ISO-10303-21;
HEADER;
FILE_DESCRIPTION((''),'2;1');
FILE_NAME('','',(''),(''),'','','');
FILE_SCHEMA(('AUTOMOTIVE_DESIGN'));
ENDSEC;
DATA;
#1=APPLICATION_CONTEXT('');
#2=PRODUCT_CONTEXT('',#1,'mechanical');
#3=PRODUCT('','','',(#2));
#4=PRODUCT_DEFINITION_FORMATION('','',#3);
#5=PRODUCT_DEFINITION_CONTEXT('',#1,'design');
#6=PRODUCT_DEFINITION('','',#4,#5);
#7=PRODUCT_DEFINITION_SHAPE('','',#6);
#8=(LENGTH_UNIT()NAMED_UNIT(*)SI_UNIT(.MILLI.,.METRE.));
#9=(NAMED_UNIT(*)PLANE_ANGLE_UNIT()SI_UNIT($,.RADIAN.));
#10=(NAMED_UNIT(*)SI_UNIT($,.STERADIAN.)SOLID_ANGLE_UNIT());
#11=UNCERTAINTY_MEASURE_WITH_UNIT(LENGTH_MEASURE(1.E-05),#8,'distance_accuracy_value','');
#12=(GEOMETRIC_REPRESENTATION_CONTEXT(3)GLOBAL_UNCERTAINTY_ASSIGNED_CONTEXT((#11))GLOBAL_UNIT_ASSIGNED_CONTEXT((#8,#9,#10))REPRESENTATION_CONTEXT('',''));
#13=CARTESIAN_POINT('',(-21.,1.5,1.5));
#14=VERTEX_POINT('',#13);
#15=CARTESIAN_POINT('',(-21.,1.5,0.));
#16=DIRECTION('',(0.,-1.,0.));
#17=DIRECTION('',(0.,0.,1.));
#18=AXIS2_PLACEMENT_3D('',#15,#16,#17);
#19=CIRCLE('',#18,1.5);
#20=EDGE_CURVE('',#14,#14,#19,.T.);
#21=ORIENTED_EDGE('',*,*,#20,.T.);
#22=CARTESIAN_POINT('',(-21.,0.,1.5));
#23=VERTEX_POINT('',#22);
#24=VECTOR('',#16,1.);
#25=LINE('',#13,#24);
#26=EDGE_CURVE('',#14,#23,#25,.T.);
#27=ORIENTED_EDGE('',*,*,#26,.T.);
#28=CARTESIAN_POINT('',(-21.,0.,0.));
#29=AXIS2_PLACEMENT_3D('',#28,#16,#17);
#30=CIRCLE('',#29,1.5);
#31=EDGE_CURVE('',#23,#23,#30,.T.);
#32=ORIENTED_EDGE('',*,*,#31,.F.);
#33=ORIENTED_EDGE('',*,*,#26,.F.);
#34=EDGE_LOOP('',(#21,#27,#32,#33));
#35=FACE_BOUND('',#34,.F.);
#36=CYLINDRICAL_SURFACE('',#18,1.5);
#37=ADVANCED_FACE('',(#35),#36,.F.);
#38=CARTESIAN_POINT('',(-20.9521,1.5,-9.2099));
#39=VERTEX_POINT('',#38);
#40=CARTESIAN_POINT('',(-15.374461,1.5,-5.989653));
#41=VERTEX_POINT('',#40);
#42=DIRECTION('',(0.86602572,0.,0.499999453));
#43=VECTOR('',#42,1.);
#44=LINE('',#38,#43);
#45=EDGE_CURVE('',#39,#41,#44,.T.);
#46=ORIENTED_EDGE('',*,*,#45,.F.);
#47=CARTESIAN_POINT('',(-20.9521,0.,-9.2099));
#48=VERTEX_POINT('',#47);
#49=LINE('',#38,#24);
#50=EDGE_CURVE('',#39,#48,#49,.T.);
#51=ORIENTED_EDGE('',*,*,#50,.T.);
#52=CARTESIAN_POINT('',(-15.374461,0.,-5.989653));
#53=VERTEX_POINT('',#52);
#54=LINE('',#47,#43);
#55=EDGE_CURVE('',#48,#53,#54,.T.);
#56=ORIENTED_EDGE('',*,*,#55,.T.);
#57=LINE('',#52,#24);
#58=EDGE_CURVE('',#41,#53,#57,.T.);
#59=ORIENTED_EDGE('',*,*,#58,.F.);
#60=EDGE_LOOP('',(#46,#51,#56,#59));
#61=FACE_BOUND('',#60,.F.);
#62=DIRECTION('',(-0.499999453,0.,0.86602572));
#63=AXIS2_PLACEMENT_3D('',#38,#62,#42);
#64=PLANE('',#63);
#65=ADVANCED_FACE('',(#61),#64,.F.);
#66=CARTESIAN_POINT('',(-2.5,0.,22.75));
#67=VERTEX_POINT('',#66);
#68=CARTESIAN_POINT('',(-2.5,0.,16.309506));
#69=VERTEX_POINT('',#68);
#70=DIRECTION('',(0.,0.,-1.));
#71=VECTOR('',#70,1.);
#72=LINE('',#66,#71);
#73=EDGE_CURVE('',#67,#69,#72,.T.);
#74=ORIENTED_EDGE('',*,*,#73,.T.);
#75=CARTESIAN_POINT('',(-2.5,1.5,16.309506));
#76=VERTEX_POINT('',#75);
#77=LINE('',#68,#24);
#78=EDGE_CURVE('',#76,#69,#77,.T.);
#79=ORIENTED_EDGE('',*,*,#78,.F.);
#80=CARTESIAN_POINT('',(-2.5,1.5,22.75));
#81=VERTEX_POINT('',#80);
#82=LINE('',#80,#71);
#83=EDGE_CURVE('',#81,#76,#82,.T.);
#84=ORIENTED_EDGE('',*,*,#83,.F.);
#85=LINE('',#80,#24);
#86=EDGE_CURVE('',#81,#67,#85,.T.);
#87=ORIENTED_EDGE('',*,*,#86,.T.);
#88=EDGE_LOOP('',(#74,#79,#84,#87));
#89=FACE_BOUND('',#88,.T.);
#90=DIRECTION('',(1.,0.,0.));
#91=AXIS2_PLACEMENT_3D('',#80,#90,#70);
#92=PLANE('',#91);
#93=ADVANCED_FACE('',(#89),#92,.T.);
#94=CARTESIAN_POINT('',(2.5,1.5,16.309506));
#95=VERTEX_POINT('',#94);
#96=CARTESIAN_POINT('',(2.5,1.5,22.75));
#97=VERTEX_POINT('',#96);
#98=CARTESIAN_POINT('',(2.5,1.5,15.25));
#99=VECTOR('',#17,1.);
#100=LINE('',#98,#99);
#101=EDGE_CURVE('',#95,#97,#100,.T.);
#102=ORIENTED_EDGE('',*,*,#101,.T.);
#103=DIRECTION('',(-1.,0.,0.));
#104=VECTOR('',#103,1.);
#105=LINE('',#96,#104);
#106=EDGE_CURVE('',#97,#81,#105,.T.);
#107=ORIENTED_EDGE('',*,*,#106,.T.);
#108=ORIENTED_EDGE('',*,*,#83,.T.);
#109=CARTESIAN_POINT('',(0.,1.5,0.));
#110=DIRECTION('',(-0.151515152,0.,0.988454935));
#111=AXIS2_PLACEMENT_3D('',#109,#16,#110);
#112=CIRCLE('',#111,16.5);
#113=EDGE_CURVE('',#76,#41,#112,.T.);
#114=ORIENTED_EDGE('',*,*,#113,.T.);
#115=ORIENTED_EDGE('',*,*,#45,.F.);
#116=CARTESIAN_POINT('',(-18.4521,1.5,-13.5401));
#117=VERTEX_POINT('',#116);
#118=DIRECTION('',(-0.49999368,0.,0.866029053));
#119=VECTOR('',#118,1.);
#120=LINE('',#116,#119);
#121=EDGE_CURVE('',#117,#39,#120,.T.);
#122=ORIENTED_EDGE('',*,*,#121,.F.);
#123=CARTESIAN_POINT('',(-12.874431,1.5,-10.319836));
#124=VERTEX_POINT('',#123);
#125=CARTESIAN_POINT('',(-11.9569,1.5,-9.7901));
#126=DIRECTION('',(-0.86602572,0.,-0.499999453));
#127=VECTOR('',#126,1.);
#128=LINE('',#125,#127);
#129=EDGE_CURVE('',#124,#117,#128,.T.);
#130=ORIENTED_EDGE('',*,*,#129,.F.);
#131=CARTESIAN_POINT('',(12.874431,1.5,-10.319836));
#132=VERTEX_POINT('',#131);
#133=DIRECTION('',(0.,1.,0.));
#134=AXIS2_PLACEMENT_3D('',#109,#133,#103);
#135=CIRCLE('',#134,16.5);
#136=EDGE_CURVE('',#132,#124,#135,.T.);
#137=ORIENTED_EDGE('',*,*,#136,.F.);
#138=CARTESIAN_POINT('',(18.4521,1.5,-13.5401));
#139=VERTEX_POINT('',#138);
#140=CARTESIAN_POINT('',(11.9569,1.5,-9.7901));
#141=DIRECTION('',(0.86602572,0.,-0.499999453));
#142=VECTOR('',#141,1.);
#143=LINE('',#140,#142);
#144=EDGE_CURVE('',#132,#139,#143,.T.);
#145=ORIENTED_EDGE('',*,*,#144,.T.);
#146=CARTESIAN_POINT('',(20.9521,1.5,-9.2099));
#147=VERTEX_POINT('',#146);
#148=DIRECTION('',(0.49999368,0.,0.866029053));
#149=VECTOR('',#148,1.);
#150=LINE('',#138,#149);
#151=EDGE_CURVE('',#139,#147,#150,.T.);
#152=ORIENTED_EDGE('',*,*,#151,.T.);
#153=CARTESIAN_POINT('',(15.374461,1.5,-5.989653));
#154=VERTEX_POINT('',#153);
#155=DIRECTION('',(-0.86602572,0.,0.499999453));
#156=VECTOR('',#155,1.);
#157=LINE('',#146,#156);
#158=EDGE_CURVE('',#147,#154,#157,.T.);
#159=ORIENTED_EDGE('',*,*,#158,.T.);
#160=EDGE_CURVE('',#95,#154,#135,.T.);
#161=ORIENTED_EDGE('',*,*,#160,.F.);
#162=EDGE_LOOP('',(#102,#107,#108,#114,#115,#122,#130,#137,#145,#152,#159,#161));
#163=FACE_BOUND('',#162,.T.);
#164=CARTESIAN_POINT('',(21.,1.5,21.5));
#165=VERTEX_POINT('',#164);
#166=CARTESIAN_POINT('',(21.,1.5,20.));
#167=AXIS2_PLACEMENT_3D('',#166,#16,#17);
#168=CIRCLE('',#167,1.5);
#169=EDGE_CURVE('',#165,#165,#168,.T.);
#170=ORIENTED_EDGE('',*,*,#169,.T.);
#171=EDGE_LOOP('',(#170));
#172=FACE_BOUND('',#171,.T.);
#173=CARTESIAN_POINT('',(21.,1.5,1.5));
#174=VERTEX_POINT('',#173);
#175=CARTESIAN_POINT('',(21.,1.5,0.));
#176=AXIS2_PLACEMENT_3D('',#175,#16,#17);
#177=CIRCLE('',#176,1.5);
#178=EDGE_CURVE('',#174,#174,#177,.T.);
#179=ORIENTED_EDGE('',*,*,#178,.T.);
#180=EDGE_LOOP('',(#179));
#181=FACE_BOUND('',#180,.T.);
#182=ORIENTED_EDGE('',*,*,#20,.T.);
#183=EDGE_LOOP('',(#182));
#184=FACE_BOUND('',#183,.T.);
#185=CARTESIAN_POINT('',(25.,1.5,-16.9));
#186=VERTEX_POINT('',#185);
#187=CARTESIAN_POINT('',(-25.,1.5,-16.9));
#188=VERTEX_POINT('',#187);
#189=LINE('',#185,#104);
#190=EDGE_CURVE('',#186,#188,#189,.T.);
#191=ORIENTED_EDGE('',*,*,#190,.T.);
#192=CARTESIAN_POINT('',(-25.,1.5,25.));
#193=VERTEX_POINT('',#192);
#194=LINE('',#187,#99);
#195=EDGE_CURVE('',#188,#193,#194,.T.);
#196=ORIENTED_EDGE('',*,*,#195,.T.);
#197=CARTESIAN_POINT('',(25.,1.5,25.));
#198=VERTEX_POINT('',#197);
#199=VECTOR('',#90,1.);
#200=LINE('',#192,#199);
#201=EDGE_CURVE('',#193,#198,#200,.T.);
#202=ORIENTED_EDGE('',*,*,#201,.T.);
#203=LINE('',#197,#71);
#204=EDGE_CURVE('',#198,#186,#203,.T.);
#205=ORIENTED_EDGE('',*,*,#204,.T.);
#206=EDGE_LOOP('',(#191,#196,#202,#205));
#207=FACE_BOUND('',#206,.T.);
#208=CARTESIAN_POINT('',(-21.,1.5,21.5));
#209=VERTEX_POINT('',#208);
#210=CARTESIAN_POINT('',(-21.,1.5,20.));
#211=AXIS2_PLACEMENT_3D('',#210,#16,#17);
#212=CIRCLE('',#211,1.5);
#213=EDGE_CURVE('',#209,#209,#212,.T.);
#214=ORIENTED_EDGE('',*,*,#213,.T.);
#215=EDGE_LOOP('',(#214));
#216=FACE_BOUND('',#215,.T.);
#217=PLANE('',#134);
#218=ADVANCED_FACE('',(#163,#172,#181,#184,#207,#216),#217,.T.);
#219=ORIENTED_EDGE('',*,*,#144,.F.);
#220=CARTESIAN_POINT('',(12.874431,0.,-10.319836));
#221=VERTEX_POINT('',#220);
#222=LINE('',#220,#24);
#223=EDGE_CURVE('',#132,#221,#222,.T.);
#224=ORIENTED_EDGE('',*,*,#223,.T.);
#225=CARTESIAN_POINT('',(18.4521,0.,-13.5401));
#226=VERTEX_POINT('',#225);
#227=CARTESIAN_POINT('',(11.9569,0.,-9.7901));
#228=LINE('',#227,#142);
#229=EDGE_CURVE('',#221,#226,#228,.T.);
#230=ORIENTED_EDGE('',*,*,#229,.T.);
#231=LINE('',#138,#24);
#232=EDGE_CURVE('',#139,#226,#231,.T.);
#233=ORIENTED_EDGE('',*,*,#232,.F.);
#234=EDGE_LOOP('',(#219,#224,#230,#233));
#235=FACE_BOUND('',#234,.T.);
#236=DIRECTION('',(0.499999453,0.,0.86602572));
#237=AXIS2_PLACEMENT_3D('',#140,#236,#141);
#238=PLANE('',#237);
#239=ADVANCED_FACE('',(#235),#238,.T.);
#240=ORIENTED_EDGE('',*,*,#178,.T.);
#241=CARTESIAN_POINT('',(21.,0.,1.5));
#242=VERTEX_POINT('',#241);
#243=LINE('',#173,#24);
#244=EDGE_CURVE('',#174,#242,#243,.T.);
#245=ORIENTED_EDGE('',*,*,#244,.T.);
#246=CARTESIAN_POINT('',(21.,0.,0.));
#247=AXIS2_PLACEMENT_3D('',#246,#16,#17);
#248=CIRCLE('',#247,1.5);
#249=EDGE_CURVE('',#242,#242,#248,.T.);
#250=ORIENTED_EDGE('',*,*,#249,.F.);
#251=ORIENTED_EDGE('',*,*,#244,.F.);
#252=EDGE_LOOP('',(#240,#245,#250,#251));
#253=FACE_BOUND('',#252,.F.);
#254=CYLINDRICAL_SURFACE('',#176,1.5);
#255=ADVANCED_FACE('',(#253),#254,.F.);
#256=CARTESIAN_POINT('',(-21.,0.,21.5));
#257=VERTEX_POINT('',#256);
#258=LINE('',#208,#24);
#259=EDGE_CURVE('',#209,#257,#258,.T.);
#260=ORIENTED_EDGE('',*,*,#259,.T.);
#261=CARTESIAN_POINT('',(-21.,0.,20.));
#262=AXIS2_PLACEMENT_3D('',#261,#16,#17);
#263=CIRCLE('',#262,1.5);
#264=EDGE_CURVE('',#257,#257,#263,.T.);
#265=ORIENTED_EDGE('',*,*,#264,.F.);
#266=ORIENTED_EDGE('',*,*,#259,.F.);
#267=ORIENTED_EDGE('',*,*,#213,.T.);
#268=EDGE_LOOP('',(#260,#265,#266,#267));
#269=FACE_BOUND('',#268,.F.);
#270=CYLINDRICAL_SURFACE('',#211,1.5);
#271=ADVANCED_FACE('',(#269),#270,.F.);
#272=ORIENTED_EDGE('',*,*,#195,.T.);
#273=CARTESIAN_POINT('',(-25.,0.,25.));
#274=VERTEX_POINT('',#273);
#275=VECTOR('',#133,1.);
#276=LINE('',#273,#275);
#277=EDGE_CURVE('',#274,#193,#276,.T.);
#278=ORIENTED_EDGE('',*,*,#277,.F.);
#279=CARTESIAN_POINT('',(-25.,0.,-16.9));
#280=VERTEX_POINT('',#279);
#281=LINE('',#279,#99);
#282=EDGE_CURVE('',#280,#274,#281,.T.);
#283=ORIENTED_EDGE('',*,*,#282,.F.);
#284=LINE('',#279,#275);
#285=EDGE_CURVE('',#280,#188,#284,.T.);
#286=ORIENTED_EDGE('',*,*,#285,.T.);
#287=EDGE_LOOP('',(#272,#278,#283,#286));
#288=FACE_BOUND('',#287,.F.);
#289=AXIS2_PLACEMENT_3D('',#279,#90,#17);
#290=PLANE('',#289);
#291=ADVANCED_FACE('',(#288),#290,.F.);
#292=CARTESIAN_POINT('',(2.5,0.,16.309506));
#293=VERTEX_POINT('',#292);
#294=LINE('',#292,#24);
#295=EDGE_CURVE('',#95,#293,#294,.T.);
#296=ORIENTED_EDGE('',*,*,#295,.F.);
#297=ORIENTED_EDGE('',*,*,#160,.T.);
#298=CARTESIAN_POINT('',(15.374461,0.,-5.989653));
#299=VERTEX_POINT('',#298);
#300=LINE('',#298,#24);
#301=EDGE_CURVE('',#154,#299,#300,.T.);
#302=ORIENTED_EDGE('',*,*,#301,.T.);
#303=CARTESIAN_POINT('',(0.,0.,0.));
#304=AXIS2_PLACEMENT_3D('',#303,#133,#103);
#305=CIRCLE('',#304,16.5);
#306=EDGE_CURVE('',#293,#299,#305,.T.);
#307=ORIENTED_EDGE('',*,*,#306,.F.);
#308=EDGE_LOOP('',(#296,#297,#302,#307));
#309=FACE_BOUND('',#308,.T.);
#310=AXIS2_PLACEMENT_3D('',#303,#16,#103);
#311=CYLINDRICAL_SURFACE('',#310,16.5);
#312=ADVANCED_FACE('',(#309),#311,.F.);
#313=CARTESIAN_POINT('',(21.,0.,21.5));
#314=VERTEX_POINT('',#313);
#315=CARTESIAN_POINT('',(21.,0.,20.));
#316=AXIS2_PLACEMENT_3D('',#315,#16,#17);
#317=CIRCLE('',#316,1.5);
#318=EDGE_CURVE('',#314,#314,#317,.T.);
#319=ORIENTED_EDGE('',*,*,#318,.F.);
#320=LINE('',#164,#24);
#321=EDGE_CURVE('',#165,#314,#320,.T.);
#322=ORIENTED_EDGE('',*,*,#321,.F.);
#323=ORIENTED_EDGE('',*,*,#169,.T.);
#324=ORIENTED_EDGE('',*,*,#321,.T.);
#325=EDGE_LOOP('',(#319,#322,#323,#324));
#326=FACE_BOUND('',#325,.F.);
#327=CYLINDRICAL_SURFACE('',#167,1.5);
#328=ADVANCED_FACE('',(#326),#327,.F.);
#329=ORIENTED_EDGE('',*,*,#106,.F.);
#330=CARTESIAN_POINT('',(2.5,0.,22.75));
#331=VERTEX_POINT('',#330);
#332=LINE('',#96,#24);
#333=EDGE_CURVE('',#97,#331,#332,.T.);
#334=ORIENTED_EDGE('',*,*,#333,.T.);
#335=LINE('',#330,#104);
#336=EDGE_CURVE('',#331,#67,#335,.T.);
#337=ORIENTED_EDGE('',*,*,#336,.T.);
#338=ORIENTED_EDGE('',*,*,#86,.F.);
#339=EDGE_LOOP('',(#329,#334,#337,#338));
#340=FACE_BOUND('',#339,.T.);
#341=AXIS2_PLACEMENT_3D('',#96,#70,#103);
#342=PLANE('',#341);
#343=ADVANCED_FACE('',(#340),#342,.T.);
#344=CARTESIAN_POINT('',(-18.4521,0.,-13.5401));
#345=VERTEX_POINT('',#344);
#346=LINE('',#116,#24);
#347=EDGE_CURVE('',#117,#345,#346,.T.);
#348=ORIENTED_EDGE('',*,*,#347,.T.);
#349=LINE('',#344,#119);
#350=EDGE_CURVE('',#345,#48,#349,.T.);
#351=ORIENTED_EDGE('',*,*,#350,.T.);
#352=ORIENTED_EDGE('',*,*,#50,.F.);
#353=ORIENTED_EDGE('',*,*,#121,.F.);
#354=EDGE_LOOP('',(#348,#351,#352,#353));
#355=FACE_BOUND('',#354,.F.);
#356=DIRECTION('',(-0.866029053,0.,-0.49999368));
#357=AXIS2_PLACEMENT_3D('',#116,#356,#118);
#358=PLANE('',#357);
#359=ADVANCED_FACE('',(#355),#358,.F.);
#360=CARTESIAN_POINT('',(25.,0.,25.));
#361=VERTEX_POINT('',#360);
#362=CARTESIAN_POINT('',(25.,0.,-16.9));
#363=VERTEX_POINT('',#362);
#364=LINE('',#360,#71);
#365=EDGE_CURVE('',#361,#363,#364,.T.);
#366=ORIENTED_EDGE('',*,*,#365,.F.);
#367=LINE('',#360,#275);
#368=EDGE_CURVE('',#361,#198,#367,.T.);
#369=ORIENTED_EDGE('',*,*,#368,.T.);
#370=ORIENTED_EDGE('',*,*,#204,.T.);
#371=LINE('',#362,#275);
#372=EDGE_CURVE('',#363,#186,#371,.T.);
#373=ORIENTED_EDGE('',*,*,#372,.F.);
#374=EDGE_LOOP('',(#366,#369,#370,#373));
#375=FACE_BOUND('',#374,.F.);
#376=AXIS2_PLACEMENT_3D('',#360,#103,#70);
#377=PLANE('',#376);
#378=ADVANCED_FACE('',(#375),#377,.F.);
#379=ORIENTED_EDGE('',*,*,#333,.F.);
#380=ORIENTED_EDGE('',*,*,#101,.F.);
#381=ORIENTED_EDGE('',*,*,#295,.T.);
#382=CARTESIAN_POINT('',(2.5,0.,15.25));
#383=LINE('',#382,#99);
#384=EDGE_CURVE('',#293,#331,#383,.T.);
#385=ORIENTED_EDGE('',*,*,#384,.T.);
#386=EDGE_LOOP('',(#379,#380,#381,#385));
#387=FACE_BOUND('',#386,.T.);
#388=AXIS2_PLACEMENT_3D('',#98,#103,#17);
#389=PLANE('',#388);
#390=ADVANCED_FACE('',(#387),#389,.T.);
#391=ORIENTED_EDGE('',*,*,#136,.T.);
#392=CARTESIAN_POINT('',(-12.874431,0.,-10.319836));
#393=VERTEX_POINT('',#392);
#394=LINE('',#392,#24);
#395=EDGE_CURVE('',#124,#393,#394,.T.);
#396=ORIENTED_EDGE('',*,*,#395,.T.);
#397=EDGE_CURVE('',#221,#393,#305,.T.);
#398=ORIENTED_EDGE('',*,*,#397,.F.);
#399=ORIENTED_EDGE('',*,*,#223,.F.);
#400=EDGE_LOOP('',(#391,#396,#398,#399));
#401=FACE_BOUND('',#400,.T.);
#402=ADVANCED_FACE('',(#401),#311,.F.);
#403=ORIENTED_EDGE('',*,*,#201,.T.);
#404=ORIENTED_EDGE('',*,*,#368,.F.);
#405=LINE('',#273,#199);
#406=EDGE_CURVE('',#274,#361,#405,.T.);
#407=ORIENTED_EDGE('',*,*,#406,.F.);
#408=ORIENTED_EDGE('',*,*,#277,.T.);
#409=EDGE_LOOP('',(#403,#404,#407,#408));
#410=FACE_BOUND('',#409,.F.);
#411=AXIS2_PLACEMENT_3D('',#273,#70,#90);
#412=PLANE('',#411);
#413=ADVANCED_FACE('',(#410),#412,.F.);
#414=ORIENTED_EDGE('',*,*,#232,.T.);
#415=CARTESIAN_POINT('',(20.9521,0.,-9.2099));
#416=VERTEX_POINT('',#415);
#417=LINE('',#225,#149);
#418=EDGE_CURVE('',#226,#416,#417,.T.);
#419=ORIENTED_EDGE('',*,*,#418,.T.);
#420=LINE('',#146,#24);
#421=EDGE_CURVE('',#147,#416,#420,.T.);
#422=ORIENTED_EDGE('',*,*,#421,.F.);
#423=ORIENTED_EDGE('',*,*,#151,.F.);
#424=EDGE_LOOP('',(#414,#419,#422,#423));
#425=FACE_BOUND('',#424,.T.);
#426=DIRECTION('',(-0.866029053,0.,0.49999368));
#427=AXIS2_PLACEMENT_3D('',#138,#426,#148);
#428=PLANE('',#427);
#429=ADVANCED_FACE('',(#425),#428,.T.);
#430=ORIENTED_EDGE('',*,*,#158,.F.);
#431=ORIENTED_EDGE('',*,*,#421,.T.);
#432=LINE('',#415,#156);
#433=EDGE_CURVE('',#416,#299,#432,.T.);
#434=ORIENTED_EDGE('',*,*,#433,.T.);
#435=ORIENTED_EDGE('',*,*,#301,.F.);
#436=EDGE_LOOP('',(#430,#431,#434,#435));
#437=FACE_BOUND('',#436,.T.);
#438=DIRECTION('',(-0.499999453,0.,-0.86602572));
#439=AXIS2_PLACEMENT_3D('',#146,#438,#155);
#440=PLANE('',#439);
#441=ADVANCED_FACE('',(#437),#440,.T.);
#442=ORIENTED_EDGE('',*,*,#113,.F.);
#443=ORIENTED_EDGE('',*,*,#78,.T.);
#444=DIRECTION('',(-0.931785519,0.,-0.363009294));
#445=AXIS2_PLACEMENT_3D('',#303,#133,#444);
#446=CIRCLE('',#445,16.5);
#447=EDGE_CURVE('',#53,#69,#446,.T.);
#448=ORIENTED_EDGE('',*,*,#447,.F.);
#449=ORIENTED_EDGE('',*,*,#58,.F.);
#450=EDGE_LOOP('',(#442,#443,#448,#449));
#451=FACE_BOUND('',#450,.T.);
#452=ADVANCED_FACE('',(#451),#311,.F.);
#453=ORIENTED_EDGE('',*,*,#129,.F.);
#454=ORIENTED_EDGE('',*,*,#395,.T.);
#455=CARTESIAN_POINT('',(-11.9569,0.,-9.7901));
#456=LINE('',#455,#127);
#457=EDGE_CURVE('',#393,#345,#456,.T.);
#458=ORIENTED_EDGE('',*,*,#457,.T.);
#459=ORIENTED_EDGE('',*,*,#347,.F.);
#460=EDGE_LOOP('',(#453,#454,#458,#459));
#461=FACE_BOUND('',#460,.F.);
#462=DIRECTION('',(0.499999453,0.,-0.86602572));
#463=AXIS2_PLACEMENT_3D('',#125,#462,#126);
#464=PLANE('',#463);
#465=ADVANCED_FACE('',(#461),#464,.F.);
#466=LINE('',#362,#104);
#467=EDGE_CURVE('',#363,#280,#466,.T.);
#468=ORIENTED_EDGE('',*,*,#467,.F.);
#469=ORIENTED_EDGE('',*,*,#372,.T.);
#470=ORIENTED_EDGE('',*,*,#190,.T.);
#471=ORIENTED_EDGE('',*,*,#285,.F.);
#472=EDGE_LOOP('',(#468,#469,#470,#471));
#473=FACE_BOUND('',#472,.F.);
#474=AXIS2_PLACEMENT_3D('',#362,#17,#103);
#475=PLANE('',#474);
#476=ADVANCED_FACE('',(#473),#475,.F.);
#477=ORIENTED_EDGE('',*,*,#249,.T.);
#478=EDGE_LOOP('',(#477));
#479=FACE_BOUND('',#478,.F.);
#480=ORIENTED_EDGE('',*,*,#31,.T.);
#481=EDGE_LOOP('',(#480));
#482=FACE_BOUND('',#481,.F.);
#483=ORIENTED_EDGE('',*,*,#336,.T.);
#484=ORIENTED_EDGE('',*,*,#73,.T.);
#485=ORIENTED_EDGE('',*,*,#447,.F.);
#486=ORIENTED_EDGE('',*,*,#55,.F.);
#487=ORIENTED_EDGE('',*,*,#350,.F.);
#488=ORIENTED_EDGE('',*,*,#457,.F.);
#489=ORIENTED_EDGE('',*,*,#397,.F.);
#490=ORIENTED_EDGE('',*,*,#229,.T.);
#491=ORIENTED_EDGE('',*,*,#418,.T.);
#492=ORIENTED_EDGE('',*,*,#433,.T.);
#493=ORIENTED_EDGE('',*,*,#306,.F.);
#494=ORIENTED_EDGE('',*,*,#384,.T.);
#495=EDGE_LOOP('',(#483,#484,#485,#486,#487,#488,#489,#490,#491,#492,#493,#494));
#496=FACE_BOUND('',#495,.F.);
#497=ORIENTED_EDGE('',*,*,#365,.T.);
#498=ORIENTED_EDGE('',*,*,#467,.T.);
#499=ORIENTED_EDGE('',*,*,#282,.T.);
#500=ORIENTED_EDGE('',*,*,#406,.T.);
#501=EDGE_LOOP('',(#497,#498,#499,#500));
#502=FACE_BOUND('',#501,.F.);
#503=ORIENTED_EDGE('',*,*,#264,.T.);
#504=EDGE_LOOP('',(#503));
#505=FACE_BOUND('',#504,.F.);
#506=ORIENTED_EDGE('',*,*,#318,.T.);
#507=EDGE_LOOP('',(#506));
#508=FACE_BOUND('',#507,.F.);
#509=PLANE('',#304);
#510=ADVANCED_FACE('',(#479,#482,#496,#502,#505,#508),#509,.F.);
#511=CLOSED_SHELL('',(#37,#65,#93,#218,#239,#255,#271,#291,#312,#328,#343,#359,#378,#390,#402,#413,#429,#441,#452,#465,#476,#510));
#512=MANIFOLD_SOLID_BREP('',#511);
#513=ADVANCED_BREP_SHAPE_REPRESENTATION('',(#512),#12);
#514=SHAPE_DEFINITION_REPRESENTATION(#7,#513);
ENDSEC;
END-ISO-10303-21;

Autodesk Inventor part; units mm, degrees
ref_plane "YZ Plane" through (0, 0, 0) normal (1, 0, 0) x (0, 1, 0)
ref_plane "XZ Plane" through (0, 0, 0) normal (0, 1, 0) x (-1, 0, 0)
ref_plane "XY Plane" through (0, 0, 0) normal (0, 0, 1) x (1, 0, 0)
sketch "スケッチ1" plane through (0, 0, 0) normal (0, 1, 0) x (-1, 0, 0)
  line L0 (25, 25) -> (-25, 25)
  line L1 (-25, 25) -> (-25, -16.9)
  line L2 (-25, -16.9) -> (25, -16.9)
  line L3 (25, -16.9) -> (25, 25)
  circle A0 centre (0, 0) radius 16.5
  point P0 (0, 25)
  dimension "d0" = 50
  dimension "d1" = 16.9
  dimension "d2" = 25
  dimension "d3" = 33
extrude "押し出し1" add sketch "スケッチ1" along normal blind 1.5
sketch "スケッチ2" plane through (0, 1.5, 0) normal (0, 1, 0) x (1, 0, 0)
  line L0 (-11.9569, 9.7901) -> (-18.4521, 13.5401)
  line L1 (-18.4521, 13.5401) -> (-20.9521, 9.2099)
  line L2 (-20.9521, 9.2099) -> (-14.4569, 5.4599)
  line L3 (-14.4569, 5.4599) -> (-11.9569, 9.7901)
  line L4 (-11.9569, 9.7901) -> (-20.9521, 9.2099) construction
  line L5 (-18.4521, 13.5401) -> (-14.4569, 5.4599) construction
  line L6 (20.9521, 9.2099) -> (14.4569, 5.4599)
  line L7 (14.4569, 5.4599) -> (11.9569, 9.7901)
  line L8 (11.9569, 9.7901) -> (18.4521, 13.5401)
  line L9 (18.4521, 13.5401) -> (20.9521, 9.2099)
  line L10 (20.9521, 9.2099) -> (11.9569, 9.7901) construction
  line L11 (14.4569, 5.4599) -> (18.4521, 13.5401) construction
  line L12 (-2.5, -22.75) -> (-2.5, -15.25)
  line L13 (-2.5, -15.25) -> (2.5, -15.25)
  line L14 (2.5, -15.25) -> (2.5, -22.75)
  line L15 (2.5, -22.75) -> (-2.5, -22.75)
  line L16 (-2.5, -22.75) -> (2.5, -15.25) construction
  line L17 (-2.5, -15.25) -> (2.5, -22.75) construction
  line L18 (25, 16.9) -> (-25, 16.9) projected
  point P0 (0, 0)
  point P1 (0, -19)
  point P2 (-16.4545, 9.5)
  point P3 (16.4545, 9.5)
  dimension "d6" = 120
  dimension "d7" = 120
  dimension "d8" = 19
  dimension "d9" = 19
  dimension "d10" = 19
  dimension "d11" = 30
  dimension "d12" = 30
  dimension "d13" = 5
  dimension "d14" = 7.5
  dimension "d15" = 5
  dimension "d16" = 7.5
  dimension "d17" = 5
  dimension "d18" = 7.5
extrude "押し出し2" cut sketch "スケッチ2" against normal blind 1.5
sketch "スケッチ3" plane through (0, 1.5, 0) normal (0, 1, 0) x (1, 0, 0)
  line L0 (25, -25) -> (25, 16.9) projected
  line L1 (-25, -25) -> (25, -25) projected
  line L2 (-25, 16.9) -> (-25, -25) projected
  line L3 (25, 16.9) -> (-25, 16.9) projected
  point P0 (0, 0)
  point P1 (-21, -20)
  point P2 (-21, 0)
  point P3 (21, 0)
  point P4 (21, -20)
  dimension "d21" = 4
  dimension "d22" = 5
  dimension "d23" = 4
  dimension "d34" = 20
hole "穴1" at (-21, 1.5, 20) at (-21, 1.5, 0) at (21, 1.5, 0) at (21, 1.5, 20) direction (0, -1, 0) diameter 3 end through all
properties part number "shaft_holder" material "アルミニウム 6061"
